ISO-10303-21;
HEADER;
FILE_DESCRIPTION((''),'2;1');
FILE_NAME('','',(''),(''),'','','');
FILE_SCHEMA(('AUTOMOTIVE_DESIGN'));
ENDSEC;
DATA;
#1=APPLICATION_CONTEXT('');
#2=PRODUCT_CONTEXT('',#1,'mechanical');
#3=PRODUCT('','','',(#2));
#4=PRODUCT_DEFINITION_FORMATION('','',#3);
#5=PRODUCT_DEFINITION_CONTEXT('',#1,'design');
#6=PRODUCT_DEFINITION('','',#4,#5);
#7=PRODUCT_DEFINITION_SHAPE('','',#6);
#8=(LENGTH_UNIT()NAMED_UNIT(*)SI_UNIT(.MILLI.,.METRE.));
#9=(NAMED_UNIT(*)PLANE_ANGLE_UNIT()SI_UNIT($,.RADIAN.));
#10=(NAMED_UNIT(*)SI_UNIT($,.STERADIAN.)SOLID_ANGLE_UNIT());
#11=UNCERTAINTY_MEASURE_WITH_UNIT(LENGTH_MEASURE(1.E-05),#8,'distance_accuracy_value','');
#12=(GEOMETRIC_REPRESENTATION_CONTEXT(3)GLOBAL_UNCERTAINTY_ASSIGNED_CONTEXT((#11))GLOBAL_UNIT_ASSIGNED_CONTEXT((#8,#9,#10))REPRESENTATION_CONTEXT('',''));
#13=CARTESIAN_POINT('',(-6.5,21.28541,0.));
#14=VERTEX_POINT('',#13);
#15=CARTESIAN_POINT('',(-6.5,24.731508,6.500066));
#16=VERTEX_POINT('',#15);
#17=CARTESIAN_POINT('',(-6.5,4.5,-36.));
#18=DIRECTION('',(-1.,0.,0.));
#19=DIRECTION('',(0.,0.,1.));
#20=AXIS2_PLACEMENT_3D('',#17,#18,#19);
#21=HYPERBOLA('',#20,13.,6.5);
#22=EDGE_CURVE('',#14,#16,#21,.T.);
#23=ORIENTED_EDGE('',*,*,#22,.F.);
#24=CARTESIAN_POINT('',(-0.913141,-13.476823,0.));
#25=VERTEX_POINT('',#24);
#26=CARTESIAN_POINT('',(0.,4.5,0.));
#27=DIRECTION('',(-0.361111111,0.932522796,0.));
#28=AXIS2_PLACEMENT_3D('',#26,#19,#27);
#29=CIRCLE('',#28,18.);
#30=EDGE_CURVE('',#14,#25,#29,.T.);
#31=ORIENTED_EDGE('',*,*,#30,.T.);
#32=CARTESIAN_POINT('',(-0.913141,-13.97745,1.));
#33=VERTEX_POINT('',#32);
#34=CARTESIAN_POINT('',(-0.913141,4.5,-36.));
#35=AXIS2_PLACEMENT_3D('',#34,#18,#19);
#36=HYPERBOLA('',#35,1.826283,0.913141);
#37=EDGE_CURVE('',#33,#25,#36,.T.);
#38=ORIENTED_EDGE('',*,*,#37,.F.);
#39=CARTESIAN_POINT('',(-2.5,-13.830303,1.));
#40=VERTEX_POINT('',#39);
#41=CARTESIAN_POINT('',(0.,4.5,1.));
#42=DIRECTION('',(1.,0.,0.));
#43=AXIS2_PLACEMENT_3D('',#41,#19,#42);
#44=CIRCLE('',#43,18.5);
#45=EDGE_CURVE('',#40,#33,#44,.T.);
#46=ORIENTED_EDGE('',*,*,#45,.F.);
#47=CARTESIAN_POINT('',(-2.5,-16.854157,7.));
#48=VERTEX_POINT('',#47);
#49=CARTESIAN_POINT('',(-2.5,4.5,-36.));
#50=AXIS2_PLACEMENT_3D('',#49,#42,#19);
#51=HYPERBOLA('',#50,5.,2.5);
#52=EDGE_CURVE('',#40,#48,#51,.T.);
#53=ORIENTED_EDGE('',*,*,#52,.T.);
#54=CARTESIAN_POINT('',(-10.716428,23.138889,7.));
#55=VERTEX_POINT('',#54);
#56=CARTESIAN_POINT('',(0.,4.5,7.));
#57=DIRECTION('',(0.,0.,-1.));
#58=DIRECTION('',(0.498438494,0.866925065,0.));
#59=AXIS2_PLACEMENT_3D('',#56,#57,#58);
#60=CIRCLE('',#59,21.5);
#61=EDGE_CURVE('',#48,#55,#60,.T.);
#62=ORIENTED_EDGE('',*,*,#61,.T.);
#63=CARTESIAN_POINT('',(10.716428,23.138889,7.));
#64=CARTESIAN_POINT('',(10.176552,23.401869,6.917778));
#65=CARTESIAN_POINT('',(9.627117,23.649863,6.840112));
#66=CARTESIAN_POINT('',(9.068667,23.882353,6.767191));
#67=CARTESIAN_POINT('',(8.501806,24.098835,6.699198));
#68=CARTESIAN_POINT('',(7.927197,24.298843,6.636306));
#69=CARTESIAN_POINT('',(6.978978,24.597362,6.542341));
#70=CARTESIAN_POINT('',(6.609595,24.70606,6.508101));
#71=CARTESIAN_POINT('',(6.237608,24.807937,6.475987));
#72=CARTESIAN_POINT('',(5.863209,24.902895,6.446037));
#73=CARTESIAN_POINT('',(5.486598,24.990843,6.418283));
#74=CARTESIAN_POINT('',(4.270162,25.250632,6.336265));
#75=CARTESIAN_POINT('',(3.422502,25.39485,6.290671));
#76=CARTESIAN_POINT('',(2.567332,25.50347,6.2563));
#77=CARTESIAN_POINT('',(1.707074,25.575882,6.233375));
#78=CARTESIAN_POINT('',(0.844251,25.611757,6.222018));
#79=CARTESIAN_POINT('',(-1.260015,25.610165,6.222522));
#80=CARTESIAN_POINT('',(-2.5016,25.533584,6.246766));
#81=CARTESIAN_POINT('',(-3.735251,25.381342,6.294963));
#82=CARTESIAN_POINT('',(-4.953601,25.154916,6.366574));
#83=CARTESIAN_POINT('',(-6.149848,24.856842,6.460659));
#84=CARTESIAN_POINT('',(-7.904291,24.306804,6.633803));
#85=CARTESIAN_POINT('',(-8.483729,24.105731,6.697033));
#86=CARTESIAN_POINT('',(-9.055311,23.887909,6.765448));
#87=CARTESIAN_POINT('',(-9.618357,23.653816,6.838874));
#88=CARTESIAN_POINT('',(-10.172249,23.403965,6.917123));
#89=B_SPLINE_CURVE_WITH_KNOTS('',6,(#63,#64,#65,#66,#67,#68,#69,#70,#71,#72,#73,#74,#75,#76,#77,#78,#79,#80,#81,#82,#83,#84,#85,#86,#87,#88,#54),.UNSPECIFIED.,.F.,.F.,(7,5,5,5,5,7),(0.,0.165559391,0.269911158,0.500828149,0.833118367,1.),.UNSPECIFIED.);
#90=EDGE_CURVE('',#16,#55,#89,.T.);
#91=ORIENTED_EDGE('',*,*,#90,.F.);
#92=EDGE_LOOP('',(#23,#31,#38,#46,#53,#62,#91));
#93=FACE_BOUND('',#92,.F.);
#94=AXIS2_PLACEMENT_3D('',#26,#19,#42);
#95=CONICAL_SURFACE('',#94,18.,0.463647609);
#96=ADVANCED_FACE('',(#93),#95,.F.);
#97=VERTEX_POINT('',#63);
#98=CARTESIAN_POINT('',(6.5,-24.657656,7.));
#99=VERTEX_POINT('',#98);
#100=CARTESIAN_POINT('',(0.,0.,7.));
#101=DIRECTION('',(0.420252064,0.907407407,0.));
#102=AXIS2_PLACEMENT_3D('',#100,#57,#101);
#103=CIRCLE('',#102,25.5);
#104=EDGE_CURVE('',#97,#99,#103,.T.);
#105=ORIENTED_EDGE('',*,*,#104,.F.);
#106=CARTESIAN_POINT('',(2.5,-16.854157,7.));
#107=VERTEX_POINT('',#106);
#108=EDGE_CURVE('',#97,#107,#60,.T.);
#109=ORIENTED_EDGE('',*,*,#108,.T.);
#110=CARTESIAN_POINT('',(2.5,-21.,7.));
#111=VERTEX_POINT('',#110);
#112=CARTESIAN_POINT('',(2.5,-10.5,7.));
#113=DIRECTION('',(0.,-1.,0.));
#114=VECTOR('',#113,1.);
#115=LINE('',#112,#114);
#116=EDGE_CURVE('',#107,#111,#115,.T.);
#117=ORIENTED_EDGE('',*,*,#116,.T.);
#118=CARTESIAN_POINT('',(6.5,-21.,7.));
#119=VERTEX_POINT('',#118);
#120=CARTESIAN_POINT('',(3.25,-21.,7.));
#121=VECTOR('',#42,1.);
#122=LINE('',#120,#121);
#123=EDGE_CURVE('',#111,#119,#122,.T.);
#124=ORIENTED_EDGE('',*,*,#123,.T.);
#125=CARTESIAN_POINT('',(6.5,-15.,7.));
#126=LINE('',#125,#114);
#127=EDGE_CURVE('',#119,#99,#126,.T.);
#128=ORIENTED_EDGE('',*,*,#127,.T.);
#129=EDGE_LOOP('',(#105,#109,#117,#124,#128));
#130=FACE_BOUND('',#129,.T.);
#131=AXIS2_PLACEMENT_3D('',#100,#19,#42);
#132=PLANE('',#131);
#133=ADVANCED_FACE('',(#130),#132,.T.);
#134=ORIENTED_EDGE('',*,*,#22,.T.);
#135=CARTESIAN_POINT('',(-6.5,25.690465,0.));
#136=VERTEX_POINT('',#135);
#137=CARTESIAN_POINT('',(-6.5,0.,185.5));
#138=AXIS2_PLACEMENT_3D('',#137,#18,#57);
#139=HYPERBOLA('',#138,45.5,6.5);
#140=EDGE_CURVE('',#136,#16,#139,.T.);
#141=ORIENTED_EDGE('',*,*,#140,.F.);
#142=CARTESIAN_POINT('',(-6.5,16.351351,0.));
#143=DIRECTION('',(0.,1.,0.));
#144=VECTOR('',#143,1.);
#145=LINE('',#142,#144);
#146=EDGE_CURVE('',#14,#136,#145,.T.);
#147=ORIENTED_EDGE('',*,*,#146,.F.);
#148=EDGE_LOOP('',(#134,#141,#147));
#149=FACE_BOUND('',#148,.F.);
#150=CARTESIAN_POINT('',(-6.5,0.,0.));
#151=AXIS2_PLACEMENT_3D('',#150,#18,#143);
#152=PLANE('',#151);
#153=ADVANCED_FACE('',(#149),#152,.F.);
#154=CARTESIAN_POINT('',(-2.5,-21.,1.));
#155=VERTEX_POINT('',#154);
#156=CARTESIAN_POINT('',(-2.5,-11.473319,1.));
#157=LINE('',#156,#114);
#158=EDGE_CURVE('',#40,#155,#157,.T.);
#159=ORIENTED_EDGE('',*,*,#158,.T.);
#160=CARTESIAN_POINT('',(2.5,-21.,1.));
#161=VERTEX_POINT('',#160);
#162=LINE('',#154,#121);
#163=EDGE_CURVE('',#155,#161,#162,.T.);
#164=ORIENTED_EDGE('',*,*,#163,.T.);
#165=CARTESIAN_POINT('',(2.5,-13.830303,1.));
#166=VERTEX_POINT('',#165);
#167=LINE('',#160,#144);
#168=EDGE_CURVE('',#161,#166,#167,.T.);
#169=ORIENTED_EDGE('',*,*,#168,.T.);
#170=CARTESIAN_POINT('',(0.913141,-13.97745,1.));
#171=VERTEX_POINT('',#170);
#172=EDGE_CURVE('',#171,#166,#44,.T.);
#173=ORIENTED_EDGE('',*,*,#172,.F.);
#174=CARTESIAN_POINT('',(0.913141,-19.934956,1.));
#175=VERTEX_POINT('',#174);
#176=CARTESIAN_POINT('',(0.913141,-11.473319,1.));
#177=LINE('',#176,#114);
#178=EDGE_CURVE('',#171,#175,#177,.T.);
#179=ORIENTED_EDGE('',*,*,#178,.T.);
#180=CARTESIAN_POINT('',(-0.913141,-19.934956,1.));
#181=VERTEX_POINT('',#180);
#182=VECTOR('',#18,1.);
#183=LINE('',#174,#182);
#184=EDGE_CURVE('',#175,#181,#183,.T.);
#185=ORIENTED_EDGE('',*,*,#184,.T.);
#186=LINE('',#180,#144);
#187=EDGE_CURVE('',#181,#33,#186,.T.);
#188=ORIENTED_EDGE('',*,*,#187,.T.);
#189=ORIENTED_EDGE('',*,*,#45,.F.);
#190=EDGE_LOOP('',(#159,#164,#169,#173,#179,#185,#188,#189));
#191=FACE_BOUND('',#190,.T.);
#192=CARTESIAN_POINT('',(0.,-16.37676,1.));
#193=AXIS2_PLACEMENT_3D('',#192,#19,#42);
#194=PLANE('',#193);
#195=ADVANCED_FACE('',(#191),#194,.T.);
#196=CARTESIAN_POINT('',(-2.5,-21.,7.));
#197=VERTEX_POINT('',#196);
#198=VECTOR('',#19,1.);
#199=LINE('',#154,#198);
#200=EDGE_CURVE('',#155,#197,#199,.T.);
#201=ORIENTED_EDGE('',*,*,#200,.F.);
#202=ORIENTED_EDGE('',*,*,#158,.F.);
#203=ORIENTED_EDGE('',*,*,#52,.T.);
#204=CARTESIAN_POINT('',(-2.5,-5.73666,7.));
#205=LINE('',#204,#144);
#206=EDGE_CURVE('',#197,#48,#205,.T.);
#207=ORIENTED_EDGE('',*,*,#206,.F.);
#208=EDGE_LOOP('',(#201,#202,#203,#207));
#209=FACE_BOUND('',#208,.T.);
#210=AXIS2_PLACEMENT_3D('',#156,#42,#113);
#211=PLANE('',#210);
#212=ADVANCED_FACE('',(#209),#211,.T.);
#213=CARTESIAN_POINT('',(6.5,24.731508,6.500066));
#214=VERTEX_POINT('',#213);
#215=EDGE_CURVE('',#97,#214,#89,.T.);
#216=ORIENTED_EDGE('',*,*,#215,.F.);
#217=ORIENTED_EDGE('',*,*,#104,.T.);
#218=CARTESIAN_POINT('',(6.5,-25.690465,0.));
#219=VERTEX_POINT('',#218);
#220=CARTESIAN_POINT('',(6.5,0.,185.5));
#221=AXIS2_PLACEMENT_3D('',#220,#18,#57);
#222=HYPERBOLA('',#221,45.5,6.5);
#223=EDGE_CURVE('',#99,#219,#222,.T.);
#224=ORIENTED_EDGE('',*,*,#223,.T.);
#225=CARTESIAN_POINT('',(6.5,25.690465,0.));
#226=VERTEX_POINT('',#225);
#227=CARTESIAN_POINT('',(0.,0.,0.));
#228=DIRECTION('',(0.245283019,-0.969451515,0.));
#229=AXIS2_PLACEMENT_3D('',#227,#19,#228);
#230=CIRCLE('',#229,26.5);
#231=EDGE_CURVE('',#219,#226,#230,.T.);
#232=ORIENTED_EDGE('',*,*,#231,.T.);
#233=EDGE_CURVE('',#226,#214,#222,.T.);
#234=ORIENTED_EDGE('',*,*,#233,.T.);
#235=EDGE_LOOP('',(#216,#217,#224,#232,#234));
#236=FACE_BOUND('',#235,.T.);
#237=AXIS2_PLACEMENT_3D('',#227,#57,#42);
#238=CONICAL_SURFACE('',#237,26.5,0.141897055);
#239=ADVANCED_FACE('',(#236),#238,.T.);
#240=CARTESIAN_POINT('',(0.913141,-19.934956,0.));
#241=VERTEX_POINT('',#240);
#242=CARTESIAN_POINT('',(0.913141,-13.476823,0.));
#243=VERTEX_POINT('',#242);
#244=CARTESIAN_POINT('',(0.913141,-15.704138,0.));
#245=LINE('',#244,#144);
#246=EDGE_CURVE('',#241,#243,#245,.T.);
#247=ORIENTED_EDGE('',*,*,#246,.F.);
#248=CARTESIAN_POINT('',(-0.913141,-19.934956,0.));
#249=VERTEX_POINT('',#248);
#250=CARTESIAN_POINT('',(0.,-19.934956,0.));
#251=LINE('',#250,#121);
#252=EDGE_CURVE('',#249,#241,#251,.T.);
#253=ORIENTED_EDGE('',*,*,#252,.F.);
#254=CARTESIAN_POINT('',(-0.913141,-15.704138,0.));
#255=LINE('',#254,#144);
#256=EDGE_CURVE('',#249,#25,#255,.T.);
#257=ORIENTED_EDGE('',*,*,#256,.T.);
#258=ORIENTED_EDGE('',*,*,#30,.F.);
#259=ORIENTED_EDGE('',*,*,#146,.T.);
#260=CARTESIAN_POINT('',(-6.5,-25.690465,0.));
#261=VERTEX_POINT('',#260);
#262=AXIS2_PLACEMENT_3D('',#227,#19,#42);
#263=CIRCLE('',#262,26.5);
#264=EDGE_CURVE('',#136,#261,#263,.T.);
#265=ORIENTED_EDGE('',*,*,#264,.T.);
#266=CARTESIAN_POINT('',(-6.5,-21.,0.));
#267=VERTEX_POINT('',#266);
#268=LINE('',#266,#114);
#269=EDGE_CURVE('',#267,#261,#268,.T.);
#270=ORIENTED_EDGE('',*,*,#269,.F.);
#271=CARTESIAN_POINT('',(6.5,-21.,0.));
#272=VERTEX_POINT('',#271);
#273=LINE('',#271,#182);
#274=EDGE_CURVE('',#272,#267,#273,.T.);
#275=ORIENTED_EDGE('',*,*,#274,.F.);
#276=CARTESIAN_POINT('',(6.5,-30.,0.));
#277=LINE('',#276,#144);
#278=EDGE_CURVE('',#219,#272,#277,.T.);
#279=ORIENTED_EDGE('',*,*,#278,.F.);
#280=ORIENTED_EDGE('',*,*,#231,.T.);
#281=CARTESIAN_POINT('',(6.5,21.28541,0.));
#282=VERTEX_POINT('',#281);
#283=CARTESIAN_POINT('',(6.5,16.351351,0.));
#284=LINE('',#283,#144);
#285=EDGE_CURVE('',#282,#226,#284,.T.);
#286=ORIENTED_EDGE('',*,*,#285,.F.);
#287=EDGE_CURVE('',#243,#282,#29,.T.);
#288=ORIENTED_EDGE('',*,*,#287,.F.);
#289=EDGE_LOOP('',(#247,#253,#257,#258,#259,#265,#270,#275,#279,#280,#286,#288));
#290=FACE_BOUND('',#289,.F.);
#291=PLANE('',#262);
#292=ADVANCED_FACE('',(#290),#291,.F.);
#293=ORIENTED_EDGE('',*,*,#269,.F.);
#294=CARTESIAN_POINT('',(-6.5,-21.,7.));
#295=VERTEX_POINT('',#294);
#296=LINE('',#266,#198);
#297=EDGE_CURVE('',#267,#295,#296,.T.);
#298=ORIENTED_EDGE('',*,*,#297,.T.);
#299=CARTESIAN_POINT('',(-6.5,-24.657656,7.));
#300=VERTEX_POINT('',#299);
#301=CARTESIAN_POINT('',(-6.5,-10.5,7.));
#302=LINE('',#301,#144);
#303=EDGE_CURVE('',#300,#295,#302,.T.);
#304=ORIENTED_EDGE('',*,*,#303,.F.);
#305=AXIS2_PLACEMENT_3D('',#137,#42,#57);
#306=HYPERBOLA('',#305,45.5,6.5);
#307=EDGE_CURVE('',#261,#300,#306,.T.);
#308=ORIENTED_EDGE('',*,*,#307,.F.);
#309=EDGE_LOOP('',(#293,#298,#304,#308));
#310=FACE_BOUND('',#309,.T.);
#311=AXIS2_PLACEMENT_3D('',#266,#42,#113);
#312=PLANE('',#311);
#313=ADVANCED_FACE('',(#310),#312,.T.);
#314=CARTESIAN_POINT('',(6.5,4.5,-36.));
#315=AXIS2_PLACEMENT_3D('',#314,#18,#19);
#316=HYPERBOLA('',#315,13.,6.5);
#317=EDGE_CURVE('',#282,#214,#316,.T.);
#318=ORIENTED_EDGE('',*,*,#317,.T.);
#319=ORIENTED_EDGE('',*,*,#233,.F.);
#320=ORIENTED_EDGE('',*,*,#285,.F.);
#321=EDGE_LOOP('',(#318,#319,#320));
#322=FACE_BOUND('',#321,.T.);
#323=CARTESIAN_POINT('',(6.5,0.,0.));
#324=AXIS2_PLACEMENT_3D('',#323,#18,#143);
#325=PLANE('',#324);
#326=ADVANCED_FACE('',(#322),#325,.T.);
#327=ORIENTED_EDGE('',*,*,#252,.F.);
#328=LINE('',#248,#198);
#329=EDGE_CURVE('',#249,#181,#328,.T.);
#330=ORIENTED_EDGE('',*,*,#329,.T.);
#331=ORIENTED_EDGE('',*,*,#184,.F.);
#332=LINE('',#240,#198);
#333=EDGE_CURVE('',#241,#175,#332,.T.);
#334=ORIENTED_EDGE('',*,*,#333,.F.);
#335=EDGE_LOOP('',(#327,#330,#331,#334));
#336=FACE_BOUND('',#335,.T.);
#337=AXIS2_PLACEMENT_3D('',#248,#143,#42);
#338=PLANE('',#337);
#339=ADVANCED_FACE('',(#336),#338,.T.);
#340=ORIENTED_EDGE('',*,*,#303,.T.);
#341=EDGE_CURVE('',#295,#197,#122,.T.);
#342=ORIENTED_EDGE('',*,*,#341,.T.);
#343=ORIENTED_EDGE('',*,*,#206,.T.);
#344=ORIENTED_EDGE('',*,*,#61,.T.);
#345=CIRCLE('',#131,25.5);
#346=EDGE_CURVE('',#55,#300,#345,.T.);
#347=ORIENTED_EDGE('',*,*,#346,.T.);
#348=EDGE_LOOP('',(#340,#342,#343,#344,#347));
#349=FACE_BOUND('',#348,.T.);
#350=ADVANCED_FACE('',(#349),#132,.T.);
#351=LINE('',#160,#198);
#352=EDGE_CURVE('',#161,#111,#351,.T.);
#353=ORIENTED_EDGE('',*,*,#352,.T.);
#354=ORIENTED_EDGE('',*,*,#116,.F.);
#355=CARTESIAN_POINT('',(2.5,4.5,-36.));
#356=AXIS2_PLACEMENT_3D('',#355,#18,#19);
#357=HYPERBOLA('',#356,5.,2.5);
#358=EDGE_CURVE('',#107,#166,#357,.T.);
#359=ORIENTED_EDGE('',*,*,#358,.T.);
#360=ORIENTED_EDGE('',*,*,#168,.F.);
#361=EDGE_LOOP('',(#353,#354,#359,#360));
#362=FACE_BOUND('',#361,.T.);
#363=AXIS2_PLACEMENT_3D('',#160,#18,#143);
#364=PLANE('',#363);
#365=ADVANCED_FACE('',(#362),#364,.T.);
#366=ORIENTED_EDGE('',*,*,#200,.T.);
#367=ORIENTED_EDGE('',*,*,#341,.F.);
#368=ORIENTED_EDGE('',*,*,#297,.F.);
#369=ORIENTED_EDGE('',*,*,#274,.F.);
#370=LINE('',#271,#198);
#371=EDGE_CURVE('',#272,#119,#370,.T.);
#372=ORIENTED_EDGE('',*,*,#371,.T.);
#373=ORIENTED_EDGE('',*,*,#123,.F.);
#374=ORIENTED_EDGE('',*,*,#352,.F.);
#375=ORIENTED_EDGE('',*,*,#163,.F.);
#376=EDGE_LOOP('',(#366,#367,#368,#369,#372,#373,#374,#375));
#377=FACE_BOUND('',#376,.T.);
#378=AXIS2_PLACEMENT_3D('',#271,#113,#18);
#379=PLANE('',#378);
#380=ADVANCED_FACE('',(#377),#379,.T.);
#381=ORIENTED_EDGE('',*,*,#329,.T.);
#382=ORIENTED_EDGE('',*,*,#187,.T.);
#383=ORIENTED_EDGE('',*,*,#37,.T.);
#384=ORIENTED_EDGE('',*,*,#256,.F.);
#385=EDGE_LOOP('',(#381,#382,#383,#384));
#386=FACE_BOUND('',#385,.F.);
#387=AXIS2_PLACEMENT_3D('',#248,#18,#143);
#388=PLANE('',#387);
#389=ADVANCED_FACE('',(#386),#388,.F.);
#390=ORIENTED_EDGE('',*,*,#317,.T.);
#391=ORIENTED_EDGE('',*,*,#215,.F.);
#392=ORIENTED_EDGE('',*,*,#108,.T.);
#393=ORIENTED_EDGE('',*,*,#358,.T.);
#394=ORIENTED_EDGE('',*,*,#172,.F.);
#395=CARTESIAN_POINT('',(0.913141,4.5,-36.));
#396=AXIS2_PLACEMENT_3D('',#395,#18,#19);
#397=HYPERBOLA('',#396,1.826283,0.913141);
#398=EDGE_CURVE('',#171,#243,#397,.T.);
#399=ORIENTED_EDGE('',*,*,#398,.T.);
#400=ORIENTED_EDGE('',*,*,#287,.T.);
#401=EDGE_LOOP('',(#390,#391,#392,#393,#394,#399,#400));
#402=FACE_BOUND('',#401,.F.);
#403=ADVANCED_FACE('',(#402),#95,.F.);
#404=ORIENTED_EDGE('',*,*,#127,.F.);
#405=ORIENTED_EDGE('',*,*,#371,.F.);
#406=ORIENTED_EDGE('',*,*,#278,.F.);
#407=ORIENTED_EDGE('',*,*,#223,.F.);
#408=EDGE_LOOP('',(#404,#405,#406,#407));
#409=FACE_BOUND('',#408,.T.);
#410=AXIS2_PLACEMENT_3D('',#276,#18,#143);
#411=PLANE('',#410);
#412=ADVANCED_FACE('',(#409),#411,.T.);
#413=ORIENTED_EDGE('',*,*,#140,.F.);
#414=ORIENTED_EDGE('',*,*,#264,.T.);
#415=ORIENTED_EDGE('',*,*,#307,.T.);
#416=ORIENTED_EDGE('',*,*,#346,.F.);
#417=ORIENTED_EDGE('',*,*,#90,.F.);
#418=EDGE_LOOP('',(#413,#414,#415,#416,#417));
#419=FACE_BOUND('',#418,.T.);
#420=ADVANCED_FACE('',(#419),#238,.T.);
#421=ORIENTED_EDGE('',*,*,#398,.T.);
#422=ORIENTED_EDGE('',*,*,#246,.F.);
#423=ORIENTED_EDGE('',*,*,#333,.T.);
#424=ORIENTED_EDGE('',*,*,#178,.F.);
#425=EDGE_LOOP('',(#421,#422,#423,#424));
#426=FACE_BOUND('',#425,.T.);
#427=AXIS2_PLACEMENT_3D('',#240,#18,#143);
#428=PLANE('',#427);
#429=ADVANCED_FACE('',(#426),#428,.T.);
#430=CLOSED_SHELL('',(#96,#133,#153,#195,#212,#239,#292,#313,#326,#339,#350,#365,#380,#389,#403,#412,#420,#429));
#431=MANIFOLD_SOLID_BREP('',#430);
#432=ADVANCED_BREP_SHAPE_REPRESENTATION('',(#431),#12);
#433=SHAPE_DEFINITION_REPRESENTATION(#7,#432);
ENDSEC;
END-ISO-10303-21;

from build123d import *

# Parameters (mm, degrees)
F0_R      = 26.5
F2_R      = 25.5
F4_R      = 18
F3_R      = 21.5
F7_W      = 13
F7_H      = 32.7027017848
F8_DEPTH  = 25
F9_START  = 1
F9_DEPTH  = 24
F7_W_2    = 1.8262825906
F7_H_2    = 8.4616364911
F10_DEPTH = 25


with BuildPart() as f5:
    # F0 (on Top) → F5 section 0
    with BuildSketch(Plane.XY):
        Circle(F0_R)
    # F2 (on offset) → F5 section 1
    with BuildSketch(Plane.XY.offset(7)):
        Circle(F2_R)
    loft()

    # F4 (on Top) → F6 section 0
    with BuildSketch(Plane.XY):
        with Locations((0, 4.5)):
            Circle(F4_R)
    # F3 (on offset) → F6 section 1
    with BuildSketch(Plane.XY.offset(7)):
        with Locations((0, 4.5)):
            Circle(F3_R)
    loft(mode=Mode.SUBTRACT)

    # F7 (on Top) → F8 (cut)
    with BuildSketch(Plane.XY):
        with Locations((0, 16.3513508924)):
            Rectangle(F7_W, F7_H)
        Polygon((-6.5, -21), (-6.5, -30), (6.5, -30), (6.5, -21), (2.5, -21), (-2.5, -21), align=None)
    extrude(amount=F8_DEPTH, mode=Mode.SUBTRACT)

    # F7 (on Top) → F9 (cut)
    with BuildSketch(Plane.XY.offset(F9_START)):
        Polygon((-2.5, -11.4733194932), (-2.5, -21), (2.5, -21), (2.5, -11.4733194932), (0.9131412953, -11.4733194932), (0.9131412953, -19.9349559844), (-0.9131412953, -19.9349559844), (-0.9131412953, -11.4733194932), align=None)
    extrude(amount=F9_DEPTH, mode=Mode.SUBTRACT)

    # F7 (on Top) → F10 (cut)
    with BuildSketch(Plane.XY):
        with Locations((0, -15.7041377388)):
            Rectangle(F7_W_2, F7_H_2)
    extrude(amount=F10_DEPTH, mode=Mode.SUBTRACT)


solid = f5.part
